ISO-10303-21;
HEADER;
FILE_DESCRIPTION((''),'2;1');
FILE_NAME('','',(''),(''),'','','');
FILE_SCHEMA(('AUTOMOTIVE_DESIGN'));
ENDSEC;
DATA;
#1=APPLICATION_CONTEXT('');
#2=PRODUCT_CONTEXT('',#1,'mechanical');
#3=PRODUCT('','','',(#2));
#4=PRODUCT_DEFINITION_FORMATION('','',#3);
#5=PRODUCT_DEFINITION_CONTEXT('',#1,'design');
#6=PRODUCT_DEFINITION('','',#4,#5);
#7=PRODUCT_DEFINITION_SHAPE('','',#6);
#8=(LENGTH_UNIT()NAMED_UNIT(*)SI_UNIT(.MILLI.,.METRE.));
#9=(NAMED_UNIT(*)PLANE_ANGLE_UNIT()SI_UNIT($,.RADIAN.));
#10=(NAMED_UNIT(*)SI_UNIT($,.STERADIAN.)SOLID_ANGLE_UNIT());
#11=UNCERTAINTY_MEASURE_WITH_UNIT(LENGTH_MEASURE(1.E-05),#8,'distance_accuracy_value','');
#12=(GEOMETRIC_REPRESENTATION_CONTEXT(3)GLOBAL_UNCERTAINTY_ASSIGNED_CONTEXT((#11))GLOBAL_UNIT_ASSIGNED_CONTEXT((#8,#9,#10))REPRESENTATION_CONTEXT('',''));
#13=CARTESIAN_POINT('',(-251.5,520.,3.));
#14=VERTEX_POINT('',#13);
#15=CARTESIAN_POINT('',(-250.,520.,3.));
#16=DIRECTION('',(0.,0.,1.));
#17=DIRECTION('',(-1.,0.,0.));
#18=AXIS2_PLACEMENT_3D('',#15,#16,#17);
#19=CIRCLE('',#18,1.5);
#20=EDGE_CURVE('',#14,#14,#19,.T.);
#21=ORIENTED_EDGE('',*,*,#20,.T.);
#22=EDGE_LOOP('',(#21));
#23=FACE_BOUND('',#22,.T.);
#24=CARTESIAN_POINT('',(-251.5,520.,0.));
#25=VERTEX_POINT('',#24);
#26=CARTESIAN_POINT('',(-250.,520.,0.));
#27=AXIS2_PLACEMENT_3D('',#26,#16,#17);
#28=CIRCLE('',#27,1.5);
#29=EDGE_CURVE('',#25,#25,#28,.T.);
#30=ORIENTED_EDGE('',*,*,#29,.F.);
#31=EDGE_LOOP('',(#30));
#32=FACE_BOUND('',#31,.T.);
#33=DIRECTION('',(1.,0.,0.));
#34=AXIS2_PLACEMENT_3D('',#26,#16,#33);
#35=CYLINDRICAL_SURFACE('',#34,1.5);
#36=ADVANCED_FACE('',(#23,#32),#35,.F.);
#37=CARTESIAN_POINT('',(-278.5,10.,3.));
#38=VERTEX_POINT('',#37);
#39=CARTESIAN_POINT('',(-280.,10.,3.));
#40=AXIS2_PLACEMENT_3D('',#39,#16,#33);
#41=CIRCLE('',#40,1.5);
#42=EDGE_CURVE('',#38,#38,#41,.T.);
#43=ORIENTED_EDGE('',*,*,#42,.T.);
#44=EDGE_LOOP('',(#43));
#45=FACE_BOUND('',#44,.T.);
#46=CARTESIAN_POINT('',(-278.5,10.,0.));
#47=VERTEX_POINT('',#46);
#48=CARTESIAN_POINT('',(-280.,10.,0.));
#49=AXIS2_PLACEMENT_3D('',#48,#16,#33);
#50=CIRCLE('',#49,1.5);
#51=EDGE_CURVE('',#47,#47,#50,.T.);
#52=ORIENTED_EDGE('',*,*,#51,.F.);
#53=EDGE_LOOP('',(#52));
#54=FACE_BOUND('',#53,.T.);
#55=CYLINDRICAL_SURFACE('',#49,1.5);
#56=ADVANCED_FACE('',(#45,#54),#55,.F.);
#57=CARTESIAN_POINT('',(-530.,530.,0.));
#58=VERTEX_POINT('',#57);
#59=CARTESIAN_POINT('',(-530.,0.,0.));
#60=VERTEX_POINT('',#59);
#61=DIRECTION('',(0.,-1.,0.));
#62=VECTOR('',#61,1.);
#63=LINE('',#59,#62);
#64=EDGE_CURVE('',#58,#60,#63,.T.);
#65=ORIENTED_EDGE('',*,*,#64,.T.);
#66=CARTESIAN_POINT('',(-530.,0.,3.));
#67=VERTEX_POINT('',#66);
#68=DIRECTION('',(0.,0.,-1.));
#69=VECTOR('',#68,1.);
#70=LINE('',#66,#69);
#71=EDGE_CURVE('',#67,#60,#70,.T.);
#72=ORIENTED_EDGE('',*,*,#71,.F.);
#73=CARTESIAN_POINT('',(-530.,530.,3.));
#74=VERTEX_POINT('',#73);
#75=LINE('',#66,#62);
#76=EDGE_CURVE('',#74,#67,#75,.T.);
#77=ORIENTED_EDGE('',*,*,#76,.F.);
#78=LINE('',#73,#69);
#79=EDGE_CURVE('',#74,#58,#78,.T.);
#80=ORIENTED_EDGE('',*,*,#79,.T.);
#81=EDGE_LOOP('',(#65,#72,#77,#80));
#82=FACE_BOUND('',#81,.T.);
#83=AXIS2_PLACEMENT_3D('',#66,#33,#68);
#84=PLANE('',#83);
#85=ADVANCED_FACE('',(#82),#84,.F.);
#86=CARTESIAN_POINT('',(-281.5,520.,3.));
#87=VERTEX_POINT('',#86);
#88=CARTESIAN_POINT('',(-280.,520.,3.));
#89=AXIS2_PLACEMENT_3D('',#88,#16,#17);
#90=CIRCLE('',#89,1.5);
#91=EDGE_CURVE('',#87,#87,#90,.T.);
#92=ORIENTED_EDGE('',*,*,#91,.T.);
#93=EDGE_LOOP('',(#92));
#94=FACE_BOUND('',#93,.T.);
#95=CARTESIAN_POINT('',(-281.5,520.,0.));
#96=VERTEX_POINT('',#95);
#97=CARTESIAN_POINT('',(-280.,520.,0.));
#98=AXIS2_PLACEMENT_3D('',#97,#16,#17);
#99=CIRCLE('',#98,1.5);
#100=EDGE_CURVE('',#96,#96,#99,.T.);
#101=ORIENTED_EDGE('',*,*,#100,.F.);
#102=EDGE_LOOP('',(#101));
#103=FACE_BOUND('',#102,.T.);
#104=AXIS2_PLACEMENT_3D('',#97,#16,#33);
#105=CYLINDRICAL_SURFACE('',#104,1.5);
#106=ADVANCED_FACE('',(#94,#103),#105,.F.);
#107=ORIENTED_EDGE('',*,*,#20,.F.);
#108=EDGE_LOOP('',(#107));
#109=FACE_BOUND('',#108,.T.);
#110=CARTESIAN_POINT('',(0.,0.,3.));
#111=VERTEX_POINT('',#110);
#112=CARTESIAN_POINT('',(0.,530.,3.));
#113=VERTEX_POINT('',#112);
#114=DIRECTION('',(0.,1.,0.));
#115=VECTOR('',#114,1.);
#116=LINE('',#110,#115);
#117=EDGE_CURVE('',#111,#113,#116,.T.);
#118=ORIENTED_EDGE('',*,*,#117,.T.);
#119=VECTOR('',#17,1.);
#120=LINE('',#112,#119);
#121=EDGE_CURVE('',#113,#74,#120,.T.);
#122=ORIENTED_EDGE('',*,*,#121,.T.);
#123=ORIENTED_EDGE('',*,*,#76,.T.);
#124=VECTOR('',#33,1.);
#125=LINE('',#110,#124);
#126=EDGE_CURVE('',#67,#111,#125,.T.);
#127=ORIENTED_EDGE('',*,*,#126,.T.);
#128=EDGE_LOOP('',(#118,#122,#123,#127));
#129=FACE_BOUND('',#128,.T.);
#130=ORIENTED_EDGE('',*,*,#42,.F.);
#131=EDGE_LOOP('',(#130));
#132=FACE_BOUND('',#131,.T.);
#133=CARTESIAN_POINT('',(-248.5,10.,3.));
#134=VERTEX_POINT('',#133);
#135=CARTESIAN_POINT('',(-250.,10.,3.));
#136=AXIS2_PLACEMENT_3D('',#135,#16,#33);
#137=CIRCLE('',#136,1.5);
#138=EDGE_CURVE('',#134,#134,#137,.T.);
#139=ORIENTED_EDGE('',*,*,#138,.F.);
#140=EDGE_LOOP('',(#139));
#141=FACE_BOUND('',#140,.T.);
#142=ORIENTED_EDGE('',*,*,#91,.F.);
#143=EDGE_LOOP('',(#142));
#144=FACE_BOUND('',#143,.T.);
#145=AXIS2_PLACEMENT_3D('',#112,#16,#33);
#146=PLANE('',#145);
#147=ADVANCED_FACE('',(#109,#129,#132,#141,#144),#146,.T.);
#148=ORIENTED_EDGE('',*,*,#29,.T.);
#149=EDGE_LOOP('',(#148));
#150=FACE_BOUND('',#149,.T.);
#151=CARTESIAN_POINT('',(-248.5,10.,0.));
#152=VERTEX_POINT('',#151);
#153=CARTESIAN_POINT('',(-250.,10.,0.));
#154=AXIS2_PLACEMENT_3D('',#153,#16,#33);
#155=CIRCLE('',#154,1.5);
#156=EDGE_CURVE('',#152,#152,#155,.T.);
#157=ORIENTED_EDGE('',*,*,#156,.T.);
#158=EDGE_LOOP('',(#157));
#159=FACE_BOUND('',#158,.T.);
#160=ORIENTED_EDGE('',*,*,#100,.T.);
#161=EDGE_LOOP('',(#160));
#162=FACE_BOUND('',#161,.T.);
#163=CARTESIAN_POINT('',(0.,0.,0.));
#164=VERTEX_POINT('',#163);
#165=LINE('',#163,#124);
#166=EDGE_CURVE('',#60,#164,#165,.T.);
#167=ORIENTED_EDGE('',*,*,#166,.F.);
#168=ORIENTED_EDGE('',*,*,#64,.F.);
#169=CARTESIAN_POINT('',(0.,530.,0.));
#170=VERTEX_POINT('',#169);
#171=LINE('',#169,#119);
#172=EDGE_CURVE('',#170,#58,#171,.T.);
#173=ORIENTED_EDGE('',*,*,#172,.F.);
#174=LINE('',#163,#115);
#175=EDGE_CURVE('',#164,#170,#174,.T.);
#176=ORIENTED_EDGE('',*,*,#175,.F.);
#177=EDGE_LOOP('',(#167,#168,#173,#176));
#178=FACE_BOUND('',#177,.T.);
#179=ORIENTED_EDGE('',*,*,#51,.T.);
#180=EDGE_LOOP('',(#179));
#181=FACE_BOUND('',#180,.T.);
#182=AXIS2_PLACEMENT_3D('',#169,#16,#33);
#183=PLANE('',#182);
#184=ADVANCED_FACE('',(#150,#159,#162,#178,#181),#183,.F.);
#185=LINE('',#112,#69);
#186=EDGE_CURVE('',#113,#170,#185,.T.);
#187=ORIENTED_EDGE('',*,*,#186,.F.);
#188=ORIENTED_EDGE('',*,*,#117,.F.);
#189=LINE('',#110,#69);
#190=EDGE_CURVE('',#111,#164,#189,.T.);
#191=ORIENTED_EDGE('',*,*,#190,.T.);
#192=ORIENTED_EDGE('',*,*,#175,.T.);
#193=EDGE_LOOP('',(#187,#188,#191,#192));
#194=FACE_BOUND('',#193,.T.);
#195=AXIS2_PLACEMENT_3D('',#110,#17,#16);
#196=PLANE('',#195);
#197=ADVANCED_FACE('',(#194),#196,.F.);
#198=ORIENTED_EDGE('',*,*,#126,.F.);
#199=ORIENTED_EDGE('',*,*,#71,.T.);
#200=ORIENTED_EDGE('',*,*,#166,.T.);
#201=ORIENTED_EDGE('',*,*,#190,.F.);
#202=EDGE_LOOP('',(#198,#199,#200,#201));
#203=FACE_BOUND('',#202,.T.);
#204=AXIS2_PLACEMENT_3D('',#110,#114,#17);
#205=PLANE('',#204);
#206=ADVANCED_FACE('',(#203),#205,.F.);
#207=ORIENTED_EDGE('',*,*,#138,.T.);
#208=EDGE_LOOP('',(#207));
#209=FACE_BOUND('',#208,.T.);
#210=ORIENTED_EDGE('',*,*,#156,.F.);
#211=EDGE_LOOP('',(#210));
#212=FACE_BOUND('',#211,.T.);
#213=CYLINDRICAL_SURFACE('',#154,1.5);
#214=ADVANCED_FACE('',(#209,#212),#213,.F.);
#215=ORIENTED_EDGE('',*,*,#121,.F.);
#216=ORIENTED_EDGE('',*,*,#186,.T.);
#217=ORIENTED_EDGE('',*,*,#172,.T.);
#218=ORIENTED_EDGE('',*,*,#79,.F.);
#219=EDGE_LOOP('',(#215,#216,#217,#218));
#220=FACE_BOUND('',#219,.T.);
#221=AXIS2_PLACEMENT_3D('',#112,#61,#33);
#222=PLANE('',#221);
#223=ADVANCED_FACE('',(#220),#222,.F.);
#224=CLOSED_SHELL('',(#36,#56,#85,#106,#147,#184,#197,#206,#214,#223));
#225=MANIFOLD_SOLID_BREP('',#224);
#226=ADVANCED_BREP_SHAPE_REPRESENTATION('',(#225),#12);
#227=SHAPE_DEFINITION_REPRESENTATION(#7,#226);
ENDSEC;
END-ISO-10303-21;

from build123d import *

# Parameters (mm, degrees)
ESQUISSE1_W             = 530
ESQUISSE1_H             = 530
BOSS_EXTRU_1_DEPTH      = 3
ESQUISSE2_R             = 1.5
ENL_V_MAT_EXTRU_1_DEPTH = 3


with BuildPart() as part:
    # Esquisse1 → Boss.-Extru.1 (new body)
    with BuildSketch(Plane.XY):
        with Locations((-265, 265)):
            Rectangle(ESQUISSE1_W, ESQUISSE1_H)
    extrude(amount=BOSS_EXTRU_1_DEPTH)

    # Esquisse2 → Enlèv. mat.-Extru.1 (cut)
    with BuildSketch(Plane.XY.offset(3)):
        with Locations((-250, 520)):
            Circle(ESQUISSE2_R)
        with Locations((-280, 520)):
            Circle(ESQUISSE2_R)
        with Locations((-250, 10)):
            Circle(ESQUISSE2_R)
        with Locations((-280, 10)):
            Circle(ESQUISSE2_R)
    extrude(amount=-ENL_V_MAT_EXTRU_1_DEPTH, mode=Mode.SUBTRACT)


solid = part.part
